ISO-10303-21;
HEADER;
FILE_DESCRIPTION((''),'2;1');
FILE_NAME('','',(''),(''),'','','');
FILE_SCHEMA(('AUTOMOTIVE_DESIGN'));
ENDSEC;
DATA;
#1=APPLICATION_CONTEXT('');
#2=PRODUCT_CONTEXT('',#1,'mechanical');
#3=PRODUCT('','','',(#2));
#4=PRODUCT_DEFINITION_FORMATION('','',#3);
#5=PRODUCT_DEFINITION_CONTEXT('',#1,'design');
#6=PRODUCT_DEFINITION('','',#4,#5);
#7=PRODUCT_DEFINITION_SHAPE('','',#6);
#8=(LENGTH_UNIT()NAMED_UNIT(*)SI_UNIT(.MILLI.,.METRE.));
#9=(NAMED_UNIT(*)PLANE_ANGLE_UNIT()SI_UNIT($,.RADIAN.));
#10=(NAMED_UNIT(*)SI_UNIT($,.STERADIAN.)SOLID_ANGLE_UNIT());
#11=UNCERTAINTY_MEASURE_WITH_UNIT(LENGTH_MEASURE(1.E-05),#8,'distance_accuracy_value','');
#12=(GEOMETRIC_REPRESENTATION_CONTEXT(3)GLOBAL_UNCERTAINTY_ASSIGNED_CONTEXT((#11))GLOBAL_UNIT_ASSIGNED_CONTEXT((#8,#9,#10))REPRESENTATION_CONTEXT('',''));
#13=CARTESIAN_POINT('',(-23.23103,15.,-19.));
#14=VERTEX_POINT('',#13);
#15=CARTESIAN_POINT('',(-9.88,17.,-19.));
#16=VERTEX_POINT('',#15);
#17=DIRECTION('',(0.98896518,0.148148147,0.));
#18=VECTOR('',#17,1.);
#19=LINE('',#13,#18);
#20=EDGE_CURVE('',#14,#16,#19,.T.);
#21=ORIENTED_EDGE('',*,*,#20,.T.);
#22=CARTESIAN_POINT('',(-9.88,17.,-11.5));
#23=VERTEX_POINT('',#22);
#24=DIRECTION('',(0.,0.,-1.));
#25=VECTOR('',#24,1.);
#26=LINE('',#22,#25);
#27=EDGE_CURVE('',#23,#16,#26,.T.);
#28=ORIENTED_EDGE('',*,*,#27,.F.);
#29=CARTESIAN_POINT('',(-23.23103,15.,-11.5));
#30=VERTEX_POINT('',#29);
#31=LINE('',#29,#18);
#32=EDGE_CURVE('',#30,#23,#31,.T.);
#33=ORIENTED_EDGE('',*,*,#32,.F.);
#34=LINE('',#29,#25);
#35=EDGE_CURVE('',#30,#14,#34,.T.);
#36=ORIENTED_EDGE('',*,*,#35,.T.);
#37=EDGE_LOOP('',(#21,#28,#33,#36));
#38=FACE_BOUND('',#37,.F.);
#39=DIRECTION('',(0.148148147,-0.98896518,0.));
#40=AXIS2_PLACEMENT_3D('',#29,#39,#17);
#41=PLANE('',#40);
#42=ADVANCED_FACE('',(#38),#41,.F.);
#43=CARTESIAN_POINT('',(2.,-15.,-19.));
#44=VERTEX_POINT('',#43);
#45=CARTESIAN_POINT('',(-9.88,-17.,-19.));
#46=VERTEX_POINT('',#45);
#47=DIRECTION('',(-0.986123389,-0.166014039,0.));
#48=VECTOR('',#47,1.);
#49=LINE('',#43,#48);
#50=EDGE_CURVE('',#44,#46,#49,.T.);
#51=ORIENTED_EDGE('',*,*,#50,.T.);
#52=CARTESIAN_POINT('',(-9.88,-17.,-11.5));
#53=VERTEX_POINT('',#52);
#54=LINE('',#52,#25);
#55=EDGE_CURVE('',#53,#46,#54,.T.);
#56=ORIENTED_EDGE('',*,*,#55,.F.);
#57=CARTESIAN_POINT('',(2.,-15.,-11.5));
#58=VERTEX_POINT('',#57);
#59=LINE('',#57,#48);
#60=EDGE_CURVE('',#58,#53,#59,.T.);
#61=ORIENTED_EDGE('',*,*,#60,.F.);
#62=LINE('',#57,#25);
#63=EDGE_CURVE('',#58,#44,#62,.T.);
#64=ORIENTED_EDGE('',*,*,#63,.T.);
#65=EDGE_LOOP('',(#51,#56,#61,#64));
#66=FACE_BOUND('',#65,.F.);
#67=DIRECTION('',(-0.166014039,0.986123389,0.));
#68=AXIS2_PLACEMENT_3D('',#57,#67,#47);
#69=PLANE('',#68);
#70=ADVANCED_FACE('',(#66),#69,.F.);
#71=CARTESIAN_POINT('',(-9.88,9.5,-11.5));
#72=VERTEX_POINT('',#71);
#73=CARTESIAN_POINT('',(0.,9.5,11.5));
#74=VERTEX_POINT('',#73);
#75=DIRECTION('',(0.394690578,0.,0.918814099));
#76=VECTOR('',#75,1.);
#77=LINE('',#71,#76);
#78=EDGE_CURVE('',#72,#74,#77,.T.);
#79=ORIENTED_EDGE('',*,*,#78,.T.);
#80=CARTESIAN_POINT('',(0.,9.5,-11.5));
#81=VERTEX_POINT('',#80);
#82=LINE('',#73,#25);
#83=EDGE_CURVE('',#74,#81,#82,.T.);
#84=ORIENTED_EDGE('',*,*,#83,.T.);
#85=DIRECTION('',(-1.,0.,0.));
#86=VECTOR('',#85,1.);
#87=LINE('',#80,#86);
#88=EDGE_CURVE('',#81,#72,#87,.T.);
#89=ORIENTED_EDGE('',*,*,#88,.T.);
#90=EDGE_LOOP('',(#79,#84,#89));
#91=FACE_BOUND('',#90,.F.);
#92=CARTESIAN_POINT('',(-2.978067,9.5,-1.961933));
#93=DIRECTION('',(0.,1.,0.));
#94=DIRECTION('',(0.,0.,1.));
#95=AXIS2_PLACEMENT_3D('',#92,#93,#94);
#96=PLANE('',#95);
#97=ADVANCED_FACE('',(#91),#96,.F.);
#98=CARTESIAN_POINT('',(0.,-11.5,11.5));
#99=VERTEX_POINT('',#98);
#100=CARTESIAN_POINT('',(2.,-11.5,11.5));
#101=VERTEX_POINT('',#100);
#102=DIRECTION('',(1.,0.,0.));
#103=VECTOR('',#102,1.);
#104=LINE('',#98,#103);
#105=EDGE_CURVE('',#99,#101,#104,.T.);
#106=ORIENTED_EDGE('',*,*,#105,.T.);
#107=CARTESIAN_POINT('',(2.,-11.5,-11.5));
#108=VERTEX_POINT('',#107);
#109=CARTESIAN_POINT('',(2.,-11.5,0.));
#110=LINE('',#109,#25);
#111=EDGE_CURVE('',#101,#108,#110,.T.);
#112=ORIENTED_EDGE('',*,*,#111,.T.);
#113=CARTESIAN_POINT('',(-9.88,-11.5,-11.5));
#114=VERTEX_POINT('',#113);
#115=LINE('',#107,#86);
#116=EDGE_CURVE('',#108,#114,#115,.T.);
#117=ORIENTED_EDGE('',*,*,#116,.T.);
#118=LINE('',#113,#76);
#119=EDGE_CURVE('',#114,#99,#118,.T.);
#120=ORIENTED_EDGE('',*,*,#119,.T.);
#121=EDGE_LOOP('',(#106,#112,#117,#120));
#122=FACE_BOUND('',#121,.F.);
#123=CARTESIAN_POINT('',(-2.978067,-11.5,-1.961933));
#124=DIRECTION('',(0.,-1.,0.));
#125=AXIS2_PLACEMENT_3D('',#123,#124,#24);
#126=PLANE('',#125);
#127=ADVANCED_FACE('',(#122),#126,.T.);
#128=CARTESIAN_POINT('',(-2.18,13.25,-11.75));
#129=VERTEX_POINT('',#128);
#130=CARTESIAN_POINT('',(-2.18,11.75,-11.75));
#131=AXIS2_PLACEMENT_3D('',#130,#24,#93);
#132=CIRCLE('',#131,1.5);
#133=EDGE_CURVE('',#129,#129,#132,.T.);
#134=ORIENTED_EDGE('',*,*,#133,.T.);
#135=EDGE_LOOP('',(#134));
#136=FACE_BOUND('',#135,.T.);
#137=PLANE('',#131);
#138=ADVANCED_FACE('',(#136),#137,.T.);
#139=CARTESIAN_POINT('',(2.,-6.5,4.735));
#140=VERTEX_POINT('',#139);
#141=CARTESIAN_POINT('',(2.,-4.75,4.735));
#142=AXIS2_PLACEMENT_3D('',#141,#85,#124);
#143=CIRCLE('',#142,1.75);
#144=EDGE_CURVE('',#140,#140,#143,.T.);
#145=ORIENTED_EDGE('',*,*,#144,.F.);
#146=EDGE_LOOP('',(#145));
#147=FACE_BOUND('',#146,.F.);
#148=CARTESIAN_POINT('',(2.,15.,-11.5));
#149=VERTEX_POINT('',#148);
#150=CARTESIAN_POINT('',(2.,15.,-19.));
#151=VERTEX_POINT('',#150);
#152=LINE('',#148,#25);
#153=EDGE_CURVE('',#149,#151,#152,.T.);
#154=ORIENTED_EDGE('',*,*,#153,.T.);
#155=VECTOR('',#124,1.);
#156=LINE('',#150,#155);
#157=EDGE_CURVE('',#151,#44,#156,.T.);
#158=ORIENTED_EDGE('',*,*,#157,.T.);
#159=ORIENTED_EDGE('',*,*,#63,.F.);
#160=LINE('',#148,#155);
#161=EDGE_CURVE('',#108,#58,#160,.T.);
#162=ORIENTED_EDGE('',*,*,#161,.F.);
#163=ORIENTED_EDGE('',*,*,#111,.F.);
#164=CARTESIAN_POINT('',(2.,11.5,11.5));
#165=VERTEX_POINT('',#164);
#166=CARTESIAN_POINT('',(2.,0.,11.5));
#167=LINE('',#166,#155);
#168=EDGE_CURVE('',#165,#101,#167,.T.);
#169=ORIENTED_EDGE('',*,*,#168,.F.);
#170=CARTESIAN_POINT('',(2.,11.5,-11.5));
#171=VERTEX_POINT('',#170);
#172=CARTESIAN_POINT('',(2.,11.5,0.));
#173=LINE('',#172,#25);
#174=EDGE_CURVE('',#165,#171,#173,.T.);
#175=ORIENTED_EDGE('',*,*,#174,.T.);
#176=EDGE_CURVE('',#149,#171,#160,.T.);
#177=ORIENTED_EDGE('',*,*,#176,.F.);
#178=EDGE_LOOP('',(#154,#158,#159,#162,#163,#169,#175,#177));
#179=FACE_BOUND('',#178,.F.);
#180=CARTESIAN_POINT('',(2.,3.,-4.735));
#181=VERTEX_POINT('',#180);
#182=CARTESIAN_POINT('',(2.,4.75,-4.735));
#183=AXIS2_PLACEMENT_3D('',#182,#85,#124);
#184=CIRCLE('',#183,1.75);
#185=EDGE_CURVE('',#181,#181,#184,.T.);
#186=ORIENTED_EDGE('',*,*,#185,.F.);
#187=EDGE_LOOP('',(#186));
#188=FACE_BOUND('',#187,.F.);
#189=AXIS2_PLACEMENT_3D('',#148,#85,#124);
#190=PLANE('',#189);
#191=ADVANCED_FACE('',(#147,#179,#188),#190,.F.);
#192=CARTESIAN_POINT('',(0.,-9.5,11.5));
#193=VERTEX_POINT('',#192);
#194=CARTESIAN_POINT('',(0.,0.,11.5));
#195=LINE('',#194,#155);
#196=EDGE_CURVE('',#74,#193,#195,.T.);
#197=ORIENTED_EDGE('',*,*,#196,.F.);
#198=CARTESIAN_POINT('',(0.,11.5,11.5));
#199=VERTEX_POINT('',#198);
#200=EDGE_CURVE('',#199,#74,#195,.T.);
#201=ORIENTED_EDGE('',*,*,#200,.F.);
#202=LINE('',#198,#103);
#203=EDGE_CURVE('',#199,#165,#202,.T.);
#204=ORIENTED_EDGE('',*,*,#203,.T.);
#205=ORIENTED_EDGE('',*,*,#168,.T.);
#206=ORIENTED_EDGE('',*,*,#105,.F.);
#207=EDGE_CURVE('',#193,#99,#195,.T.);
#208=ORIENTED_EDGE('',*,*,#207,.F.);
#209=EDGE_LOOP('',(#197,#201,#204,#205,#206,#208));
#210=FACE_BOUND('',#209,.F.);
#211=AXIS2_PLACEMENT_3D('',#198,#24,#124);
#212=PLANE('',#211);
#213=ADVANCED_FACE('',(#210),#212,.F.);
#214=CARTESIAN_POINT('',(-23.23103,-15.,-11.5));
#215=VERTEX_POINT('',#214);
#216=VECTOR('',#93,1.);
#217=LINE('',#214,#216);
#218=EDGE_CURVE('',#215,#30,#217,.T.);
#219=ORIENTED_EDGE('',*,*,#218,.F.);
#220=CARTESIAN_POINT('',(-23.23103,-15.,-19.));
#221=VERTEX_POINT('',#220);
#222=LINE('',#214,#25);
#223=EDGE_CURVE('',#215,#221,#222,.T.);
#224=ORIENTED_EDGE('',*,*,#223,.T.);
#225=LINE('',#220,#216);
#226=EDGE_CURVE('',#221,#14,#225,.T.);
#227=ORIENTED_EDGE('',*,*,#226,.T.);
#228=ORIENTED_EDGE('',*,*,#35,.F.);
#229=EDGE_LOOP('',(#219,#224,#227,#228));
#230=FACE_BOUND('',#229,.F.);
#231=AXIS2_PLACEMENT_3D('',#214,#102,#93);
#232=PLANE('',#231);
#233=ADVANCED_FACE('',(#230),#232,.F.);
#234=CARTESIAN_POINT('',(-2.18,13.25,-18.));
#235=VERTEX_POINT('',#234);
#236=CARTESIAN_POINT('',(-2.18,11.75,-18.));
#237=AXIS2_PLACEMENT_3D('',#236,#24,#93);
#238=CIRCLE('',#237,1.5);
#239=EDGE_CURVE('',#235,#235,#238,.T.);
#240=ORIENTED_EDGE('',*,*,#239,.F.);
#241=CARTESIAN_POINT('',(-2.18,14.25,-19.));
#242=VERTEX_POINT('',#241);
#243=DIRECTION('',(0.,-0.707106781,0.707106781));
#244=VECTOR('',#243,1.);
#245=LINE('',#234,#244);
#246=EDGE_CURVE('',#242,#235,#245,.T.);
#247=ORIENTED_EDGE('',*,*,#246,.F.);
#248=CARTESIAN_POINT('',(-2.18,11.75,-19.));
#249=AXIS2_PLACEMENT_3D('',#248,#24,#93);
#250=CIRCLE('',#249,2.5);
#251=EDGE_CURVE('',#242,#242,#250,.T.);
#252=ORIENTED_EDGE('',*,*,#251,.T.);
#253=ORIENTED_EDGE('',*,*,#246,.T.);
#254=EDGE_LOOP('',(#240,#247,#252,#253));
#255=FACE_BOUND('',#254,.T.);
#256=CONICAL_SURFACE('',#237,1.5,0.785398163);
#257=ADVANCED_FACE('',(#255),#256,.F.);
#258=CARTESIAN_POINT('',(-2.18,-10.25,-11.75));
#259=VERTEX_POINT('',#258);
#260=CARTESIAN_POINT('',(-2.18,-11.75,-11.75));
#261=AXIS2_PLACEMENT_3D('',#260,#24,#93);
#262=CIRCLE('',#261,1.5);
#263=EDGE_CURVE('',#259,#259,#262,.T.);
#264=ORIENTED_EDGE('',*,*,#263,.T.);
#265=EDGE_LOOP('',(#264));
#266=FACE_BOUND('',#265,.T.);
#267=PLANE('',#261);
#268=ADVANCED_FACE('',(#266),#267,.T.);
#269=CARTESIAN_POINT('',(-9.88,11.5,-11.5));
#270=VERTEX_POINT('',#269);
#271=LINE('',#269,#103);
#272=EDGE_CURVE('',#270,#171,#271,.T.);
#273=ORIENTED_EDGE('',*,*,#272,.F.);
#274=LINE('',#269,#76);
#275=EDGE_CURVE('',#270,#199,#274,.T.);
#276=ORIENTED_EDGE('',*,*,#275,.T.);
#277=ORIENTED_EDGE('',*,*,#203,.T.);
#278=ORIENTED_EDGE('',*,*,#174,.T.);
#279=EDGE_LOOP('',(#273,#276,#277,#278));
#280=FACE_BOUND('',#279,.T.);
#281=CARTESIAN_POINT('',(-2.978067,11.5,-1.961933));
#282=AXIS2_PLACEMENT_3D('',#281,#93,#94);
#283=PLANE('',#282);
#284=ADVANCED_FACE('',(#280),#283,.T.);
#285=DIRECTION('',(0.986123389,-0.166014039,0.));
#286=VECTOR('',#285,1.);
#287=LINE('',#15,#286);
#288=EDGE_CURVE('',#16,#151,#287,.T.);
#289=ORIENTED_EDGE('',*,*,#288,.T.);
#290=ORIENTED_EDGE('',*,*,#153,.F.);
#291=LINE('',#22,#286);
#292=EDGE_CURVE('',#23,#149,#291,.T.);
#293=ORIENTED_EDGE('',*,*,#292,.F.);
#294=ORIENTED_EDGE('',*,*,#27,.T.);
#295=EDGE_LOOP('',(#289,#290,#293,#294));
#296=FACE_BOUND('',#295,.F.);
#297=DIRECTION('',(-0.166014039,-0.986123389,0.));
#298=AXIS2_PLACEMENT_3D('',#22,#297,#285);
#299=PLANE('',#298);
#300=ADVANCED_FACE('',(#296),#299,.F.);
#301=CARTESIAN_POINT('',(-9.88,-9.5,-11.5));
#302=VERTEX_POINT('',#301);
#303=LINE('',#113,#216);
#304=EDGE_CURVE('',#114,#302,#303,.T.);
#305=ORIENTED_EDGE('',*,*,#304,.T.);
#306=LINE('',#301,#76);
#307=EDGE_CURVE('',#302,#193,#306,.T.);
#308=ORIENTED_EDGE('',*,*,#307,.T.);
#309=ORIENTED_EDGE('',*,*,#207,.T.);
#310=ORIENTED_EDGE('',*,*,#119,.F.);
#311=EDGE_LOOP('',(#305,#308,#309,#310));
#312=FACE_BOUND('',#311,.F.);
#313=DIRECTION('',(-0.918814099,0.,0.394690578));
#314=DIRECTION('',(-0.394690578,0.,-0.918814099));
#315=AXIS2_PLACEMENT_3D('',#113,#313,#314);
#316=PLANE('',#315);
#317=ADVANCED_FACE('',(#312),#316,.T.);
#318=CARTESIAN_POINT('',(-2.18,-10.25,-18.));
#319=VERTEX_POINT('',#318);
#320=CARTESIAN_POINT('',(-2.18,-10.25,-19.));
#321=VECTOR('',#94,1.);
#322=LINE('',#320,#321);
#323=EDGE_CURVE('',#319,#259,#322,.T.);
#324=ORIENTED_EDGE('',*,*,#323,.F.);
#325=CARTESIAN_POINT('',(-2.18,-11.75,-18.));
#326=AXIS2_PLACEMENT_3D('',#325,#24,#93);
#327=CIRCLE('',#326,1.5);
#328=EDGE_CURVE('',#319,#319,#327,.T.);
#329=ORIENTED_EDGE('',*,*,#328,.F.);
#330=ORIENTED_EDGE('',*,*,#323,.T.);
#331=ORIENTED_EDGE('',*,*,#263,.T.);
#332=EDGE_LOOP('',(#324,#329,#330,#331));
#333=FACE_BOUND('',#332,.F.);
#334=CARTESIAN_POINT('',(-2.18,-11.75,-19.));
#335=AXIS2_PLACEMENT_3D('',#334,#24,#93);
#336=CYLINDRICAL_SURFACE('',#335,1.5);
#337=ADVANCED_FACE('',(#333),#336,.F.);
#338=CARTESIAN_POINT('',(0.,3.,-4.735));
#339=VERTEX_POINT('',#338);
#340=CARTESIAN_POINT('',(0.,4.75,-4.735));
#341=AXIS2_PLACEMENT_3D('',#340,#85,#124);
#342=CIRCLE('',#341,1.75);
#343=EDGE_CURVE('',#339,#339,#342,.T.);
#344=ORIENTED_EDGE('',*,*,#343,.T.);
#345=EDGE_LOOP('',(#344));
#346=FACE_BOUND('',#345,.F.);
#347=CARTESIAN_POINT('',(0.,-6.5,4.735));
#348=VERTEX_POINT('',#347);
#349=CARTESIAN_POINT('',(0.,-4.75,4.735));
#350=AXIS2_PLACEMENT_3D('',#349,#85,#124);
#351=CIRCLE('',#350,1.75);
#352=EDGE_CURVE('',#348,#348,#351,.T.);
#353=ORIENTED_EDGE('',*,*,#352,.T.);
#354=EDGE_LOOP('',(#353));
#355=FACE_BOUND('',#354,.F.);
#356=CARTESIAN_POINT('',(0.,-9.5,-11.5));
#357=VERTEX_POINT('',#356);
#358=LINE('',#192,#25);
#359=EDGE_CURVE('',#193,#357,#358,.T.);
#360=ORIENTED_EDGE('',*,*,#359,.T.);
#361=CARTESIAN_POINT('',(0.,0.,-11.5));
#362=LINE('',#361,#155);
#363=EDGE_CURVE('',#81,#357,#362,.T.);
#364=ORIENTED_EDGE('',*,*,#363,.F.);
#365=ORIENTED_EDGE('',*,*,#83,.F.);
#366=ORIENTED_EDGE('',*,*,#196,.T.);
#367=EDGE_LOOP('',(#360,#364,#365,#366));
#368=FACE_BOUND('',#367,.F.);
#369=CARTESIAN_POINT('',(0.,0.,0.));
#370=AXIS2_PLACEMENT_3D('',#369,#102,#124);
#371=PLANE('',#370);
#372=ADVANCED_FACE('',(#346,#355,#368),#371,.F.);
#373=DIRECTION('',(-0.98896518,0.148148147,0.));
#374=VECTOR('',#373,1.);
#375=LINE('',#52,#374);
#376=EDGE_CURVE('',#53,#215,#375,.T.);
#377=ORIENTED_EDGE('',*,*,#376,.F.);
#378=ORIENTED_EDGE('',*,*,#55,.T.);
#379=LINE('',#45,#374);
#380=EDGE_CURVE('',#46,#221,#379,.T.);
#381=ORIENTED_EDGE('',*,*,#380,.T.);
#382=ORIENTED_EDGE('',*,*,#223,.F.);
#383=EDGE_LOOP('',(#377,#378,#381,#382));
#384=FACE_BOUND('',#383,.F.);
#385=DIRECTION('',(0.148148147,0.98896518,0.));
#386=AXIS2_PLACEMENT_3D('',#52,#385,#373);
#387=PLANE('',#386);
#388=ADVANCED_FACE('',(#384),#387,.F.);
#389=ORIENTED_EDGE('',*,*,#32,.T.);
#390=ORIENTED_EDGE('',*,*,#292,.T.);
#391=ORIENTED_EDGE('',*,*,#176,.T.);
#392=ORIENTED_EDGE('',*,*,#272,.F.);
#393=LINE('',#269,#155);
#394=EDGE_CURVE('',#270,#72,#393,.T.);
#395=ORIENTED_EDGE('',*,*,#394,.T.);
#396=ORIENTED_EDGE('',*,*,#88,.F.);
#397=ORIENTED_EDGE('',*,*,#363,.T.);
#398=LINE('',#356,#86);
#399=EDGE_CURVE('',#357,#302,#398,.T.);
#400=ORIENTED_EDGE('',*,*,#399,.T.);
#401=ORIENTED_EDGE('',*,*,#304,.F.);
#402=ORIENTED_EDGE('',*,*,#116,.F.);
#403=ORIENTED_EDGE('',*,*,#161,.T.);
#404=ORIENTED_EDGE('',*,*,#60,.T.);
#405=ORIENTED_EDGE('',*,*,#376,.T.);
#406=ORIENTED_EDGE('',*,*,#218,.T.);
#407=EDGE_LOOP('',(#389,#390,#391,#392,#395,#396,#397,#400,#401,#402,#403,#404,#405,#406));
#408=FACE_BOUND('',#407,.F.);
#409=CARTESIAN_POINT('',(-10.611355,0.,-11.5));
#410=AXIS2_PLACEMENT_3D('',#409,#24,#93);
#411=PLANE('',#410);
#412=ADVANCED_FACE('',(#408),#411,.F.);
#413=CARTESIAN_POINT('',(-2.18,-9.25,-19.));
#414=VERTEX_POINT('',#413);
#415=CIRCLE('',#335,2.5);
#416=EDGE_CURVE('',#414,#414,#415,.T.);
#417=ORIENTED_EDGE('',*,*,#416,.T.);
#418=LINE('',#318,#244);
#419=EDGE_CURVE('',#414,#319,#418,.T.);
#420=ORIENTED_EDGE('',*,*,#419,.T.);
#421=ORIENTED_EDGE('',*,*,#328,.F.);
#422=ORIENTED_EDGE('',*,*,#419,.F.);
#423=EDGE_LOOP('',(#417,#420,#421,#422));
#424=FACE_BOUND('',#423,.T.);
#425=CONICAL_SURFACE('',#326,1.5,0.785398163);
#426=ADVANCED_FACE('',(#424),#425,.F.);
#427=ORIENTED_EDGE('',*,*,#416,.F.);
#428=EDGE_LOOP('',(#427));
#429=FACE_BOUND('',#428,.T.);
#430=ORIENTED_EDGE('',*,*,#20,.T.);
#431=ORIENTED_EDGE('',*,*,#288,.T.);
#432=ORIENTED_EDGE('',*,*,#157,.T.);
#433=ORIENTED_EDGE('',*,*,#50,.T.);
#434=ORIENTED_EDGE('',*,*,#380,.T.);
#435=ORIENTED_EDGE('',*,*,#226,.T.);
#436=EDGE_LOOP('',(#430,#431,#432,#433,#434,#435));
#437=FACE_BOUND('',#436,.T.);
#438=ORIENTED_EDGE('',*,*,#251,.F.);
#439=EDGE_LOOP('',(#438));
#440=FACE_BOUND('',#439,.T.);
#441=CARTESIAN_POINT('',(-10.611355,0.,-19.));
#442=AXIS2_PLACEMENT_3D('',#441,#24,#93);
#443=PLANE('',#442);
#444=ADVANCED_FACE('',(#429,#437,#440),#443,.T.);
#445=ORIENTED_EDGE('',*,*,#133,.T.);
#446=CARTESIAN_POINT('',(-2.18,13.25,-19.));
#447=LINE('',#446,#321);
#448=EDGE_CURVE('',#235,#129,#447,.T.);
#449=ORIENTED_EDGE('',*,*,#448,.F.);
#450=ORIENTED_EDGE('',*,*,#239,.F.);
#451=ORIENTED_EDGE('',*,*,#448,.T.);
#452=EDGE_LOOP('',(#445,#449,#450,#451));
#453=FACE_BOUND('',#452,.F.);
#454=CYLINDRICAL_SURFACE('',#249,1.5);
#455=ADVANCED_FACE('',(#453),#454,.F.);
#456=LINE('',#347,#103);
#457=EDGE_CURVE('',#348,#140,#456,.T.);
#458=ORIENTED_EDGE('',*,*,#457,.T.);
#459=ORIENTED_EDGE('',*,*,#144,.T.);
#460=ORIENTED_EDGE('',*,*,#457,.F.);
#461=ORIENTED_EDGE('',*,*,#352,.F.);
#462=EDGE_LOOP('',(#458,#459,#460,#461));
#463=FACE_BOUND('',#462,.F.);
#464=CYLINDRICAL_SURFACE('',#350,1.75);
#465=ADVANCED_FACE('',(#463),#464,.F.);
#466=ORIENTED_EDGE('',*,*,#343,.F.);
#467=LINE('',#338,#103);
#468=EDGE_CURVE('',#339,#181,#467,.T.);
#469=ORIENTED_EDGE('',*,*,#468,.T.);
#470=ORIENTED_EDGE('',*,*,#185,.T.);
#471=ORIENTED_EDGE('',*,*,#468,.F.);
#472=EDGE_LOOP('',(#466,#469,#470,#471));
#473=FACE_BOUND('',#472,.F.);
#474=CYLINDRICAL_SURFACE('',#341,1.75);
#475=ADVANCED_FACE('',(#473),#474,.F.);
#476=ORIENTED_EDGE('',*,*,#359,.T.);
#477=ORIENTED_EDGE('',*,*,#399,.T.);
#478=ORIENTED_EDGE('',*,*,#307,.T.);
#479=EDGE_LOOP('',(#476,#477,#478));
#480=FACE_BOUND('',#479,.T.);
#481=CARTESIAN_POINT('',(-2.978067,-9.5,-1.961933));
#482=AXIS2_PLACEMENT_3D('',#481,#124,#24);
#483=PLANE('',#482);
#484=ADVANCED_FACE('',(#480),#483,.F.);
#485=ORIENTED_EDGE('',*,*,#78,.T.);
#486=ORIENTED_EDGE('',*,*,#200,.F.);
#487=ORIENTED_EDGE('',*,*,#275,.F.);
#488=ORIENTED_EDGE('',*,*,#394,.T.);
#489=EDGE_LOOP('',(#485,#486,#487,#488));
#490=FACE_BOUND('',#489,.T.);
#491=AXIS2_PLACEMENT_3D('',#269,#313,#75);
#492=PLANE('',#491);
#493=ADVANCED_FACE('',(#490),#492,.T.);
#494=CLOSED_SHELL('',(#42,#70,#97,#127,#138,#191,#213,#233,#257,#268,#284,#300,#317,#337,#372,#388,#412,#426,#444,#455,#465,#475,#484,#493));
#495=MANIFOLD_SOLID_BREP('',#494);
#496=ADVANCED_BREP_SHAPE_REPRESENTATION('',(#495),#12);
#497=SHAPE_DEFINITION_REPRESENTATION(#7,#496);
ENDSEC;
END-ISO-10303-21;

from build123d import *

# Parameters (mm, degrees)
SKETCH_W                = 23
SKETCH_H                = 23
PAD_DEPTH               = 2
PAD001_DEPTH            = 7.5
SKETCH016_R             = 1.5
POCKET_DEPTH            = 7.25
SKETCH012_R             = 1.75
POCKET001_DEPTH         = 5
PAD002_DEPTH            = 2
CHAMFER_SIZE            = 1
BODY001_PLACEMENT_ANGLE = 180


with BuildPart() as part:
    # Sketch → Pad (new body)
    with BuildSketch(Plane.YZ):
        Rectangle(SKETCH_W, SKETCH_H)
    extrude(amount=PAD_DEPTH)

    # Sketch017 (on Face4 of Pad) → Pad001 (join)
    with BuildSketch(Plane(origin=(0, 0, 11.5), x_dir=(0, -1, 0), z_dir=(0, 0, 1))):
        Polygon((-15, -23.23103), (15, -23.23103), (17, -9.88), (15, 2), (-15, 2), (-17, -9.88), align=None)
    extrude(amount=PAD001_DEPTH)

    # Sketch016 (on Face13 of Pad001) → Pocket (cut)
    with BuildSketch(Plane(origin=(0, 0, 19), x_dir=(0, -1, 0), z_dir=(0, 0, 1))):
        with Locations((11.75, -2.18)):
            Circle(SKETCH016_R)
        with Locations((-11.75, -2.18)):
            Circle(SKETCH016_R)
    extrude(amount=-POCKET_DEPTH, mode=Mode.SUBTRACT)

    # Sketch012 (on Face4 of Pad001) → Pocket001 (cut)
    with BuildSketch(Plane(origin=(0, 0, 0), x_dir=(0, 1, 0), z_dir=(-1, 0, 0))):
        with Locations((-4.75, -4.735)):
            Circle(SKETCH012_R)
        with Locations((4.75, 4.735)):
            Circle(SKETCH012_R)
    extrude(amount=-POCKET001_DEPTH, mode=Mode.SUBTRACT)

    # Sketch018 (on Face1 of Pocket001) → Pad002 (join)
    with BuildSketch(Plane(origin=(0, -11.5, 0), x_dir=(0, 0, -1), z_dir=(0, -1, 0))):
        Polygon((-11.5, -9.88), (11.5, 0), (-11.5, 0), align=None)
    pad002 = extrude(amount=-PAD002_DEPTH)

    # Mirrored: Pad002 across XZ
    add(pad002.mirror(Plane.XZ))

    # Chamfer
    chamfer_edges = [part.edges().sort_by_distance(p)[0] for p in [
        (-2.18, 13.25, 19),
        (-2.18, -10.25, 19),
    ]]
    chamfer(chamfer_edges, length=CHAMFER_SIZE)


with BuildPart() as part_1:
    # Body001 placement: moved
    add(part.part.rotate(Axis((0, 0, 0), (1, 0, 0)), BODY001_PLACEMENT_ANGLE))


solid = part_1.part
